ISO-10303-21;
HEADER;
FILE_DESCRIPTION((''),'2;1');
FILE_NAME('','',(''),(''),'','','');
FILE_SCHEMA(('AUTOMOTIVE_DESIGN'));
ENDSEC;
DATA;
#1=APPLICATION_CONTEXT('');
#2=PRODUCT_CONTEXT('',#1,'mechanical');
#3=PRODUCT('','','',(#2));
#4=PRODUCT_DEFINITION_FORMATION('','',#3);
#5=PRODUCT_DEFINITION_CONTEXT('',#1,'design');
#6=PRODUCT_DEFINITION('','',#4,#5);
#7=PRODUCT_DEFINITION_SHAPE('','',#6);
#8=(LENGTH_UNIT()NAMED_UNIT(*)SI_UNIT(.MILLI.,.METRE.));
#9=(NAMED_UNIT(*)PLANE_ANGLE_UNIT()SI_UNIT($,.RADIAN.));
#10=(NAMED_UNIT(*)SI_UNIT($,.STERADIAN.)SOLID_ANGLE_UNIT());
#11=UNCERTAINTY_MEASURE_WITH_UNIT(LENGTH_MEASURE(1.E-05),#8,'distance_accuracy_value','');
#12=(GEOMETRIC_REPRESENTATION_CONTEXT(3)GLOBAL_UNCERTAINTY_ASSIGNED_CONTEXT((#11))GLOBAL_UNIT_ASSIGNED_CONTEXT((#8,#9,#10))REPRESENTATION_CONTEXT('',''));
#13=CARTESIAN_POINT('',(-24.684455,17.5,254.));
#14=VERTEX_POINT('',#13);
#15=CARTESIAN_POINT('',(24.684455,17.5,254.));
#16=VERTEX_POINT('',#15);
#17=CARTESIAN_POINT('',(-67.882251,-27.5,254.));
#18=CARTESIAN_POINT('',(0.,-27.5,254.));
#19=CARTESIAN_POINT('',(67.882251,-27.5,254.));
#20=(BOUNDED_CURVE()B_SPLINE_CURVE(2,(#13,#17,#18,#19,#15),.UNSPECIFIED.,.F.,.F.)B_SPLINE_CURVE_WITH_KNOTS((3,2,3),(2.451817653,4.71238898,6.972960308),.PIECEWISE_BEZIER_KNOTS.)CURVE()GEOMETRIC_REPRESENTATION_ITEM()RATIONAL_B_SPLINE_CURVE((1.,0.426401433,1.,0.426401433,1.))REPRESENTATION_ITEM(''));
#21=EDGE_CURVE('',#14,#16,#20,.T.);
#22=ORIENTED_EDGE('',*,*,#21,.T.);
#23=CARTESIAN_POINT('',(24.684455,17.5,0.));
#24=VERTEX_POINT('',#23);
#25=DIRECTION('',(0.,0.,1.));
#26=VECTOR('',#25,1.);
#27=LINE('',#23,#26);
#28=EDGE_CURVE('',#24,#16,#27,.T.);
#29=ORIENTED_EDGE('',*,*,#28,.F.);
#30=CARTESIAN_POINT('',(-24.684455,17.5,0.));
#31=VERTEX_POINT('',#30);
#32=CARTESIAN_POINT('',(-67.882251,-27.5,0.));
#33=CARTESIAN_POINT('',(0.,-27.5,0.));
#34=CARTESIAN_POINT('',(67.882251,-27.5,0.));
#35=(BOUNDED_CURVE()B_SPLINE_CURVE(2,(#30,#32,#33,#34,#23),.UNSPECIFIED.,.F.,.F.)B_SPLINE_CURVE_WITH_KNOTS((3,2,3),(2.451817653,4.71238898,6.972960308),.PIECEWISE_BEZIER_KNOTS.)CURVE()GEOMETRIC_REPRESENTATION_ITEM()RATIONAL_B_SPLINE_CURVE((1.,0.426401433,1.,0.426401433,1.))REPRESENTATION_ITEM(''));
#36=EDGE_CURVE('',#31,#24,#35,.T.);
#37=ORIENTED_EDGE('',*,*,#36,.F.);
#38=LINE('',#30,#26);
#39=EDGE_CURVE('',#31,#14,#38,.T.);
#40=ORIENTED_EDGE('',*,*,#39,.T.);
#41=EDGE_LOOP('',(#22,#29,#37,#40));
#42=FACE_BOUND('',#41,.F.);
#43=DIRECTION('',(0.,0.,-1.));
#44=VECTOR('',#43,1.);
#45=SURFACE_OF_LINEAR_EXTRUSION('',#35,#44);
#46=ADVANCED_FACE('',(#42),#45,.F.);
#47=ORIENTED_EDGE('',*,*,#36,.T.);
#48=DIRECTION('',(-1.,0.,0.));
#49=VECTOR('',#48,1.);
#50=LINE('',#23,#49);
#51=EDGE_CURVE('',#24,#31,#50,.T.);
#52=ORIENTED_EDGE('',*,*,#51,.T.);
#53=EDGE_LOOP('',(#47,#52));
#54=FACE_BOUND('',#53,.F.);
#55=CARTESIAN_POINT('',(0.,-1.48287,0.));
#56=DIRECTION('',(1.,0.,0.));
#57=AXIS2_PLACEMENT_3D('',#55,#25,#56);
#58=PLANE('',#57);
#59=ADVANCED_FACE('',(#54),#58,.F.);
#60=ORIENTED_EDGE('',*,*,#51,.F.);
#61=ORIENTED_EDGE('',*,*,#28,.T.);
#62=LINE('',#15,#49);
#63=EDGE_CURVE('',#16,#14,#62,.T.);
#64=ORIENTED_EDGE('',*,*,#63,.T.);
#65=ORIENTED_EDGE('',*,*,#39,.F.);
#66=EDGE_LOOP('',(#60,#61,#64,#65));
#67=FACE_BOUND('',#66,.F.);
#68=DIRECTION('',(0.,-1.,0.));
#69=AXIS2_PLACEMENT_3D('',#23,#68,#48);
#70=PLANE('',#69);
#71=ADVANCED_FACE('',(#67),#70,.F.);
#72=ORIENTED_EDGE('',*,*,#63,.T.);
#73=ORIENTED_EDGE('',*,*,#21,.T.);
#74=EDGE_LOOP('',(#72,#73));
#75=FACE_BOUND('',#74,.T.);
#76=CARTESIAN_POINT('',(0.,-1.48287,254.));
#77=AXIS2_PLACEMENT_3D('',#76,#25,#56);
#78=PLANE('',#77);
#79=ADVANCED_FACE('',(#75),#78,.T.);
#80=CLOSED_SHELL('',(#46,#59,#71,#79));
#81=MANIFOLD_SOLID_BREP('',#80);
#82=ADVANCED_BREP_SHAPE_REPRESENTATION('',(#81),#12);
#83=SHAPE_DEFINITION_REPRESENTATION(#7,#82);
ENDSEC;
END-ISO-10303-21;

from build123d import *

# Parameters (mm, degrees)
F1_DEPTH = 254


with BuildPart() as f1:
    # F0 (on Top) → F1 (new body)
    with BuildSketch(Plane.XY):
        with BuildLine():
            Line((24.6844549069, 17.5), (-24.6844549069, 17.5))
            add(Edge.make_bspline(
                [(-24.6844549069, 17.5), (-67.8822509939, -27.5), (0, -27.5), (67.8822509939, -27.5), (24.6844549069, 17.5)],
                knots=[2.4518176528, 2.4518176528, 2.4518176528, 4.7123889804, 4.7123889804, 6.972960308, 6.972960308, 6.972960308], degree=2, weights=[1, 0.4264014327, 1, 0.4264014327, 1]))
        make_face()
    extrude(amount=F1_DEPTH)


solid = f1.part
